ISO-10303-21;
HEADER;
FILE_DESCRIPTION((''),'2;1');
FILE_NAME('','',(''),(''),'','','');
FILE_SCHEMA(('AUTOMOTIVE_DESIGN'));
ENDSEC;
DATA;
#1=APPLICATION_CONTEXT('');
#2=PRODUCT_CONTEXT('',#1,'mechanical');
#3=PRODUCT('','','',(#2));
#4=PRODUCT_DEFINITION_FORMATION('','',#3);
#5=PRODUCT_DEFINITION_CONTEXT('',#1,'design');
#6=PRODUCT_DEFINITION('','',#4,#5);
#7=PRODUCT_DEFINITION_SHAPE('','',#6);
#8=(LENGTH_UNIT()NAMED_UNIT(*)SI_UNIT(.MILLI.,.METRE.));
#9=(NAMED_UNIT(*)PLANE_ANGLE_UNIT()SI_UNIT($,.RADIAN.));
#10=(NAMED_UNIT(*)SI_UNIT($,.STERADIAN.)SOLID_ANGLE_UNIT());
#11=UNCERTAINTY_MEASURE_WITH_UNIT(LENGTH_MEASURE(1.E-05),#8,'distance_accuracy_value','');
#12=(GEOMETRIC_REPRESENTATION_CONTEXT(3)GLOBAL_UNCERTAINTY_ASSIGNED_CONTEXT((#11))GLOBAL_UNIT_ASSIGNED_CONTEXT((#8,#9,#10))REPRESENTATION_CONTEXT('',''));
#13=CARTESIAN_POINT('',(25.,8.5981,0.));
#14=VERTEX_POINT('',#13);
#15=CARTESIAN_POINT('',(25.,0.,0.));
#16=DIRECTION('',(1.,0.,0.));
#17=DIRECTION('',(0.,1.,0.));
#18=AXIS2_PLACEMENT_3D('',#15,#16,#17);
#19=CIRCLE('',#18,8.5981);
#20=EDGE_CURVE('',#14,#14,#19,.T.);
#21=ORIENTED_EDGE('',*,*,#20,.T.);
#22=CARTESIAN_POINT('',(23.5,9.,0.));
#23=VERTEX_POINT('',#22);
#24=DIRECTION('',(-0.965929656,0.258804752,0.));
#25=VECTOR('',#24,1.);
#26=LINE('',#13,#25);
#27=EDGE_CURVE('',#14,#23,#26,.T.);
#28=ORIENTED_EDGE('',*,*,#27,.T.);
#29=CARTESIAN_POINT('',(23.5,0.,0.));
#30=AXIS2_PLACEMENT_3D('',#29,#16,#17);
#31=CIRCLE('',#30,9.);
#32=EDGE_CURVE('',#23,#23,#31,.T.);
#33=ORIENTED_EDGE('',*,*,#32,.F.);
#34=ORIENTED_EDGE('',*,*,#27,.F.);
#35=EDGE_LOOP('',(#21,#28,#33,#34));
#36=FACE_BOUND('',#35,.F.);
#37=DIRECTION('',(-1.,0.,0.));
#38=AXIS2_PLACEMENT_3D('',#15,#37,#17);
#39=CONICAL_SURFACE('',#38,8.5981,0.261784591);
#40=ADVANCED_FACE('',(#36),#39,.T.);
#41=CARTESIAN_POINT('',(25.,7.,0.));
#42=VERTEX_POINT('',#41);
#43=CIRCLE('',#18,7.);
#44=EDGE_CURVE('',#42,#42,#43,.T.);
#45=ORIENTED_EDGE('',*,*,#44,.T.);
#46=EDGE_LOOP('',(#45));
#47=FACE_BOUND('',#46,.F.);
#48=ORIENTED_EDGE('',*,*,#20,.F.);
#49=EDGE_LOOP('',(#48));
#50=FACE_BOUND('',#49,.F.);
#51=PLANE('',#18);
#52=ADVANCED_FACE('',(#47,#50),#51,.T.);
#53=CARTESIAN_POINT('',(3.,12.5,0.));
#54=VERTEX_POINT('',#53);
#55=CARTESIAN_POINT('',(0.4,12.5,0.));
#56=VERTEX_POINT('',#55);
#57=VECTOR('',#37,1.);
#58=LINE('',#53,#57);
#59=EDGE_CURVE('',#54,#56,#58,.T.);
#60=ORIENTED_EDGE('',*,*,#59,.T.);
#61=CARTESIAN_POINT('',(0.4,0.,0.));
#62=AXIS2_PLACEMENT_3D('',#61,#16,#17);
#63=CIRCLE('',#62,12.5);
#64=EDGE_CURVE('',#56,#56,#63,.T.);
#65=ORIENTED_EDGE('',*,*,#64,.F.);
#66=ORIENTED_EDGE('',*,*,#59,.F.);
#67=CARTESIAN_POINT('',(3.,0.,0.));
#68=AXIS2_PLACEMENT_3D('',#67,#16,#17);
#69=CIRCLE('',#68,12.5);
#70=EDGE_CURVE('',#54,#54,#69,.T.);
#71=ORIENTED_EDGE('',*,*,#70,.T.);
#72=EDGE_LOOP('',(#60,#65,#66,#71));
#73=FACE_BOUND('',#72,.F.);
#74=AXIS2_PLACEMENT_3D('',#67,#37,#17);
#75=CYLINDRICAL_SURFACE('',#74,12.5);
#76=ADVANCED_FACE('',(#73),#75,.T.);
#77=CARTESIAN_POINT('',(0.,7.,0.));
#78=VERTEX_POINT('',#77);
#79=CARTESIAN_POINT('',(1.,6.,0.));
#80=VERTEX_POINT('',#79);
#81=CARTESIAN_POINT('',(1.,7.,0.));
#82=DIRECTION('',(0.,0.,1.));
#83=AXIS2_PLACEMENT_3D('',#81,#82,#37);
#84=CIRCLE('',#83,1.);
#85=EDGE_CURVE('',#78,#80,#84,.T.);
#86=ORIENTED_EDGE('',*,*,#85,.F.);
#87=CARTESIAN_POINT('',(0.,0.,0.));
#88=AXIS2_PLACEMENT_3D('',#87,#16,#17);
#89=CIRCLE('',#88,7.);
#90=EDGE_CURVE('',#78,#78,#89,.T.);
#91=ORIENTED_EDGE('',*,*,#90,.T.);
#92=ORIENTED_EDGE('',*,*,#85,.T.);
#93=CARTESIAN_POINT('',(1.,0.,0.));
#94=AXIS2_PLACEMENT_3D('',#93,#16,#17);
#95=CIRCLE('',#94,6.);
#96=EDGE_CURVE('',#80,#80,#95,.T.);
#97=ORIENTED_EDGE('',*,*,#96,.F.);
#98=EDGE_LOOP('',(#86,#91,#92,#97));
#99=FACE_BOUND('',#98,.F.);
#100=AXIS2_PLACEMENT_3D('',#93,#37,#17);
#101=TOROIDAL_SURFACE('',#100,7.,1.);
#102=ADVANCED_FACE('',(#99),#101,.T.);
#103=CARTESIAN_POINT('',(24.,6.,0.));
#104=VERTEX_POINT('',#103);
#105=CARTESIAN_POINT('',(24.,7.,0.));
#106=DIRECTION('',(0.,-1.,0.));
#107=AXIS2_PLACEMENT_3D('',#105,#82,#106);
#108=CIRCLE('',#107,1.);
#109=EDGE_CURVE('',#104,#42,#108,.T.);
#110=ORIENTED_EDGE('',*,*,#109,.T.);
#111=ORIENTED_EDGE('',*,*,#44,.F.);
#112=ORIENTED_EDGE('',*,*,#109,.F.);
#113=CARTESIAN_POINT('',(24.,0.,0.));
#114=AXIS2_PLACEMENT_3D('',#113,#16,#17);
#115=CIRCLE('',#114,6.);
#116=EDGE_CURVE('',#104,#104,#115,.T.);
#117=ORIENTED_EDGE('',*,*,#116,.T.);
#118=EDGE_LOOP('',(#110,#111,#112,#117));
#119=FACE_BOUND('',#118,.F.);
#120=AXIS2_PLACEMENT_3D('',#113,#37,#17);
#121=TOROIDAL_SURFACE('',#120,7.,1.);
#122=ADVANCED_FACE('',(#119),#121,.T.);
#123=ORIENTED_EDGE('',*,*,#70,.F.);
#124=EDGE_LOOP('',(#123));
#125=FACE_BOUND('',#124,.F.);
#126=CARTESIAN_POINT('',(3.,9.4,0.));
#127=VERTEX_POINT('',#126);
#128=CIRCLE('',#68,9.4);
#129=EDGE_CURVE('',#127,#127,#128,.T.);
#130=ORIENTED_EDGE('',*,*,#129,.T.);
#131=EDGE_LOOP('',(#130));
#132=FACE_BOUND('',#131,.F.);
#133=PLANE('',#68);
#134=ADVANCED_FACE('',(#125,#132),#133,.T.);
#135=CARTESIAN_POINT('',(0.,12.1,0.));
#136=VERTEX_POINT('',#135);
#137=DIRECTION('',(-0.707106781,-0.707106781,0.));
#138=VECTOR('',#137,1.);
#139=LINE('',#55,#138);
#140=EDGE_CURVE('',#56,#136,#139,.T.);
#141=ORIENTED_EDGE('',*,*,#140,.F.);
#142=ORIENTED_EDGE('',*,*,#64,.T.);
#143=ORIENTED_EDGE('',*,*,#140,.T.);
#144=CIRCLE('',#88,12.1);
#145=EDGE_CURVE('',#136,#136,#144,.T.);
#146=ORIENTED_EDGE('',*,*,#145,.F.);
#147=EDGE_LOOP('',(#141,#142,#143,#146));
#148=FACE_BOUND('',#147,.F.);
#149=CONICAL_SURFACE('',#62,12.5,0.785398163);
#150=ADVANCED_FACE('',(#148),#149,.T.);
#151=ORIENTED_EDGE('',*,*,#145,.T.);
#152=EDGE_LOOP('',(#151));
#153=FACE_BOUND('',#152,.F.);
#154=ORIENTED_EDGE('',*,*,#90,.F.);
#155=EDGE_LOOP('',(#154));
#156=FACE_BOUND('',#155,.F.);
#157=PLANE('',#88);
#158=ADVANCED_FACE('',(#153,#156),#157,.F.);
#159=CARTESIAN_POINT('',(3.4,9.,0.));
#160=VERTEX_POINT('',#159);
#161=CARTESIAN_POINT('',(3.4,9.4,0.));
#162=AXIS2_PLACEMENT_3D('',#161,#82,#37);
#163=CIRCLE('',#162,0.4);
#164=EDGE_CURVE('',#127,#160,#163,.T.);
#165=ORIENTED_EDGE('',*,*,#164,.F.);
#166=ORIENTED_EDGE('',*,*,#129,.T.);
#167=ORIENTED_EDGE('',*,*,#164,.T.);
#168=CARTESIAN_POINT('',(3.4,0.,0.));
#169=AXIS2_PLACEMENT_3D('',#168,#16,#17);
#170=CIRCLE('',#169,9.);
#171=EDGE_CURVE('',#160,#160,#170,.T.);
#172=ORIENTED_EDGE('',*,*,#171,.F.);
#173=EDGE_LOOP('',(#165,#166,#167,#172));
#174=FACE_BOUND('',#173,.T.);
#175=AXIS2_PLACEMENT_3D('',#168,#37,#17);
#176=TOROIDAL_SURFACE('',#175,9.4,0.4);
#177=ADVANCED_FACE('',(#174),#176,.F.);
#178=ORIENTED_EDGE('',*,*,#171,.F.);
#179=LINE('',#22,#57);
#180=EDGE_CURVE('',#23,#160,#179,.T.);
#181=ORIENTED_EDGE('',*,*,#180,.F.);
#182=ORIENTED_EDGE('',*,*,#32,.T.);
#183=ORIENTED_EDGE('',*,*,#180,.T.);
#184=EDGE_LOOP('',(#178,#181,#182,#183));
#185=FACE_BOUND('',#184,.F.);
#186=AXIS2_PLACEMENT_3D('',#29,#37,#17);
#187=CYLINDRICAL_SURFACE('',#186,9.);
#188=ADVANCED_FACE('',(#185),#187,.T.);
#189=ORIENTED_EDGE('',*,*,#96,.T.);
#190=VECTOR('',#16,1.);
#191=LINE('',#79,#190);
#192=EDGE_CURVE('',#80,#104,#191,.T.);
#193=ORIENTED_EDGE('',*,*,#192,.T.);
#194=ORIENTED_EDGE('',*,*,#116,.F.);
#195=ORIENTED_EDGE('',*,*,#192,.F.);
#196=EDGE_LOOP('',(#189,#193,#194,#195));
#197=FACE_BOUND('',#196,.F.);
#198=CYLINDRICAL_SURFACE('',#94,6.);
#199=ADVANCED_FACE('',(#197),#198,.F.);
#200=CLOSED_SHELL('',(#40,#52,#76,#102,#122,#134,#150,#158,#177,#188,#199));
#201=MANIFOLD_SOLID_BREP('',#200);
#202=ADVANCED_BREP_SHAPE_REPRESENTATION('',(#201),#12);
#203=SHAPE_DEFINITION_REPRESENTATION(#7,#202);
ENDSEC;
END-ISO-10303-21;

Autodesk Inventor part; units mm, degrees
ref_plane "YZ Plane" through (0, 0, 0) normal (1, 0, 0) x (0, 1, 0)
ref_plane "XZ Plane" through (0, 0, 0) normal (0, 1, 0) x (-1, 0, 0)
ref_plane "XY Plane" through (0, 0, 0) normal (0, 0, 1) x (1, 0, 0)
sketch "Sketch_1" plane through (0, 0, 0) normal (0, 0, 1) x (1, 0, 0)
  line L0 (25, 0) -> (0, 0)
  line L1 (0, 12.1) -> (0, 7)
  arc A0 (0, 7) -> (1, 6) centre (1, 7) ccw
  line L2 (1, 6) -> (24, 6)
  arc A1 (24, 6) -> (25, 7) centre (24, 7) ccw
  line L3 (25, 7) -> (25, 8.5981)
  line L4 (25, 8.5981) -> (23.5, 9)
  line L5 (23.5, 9) -> (3.4, 9)
  arc A2 (3, 9.4) -> (3.4, 9) centre (3.4, 9.4) ccw
  line L6 (3, 9.4) -> (3, 12.5)
  line L7 (3, 12.5) -> (0.4, 12.5)
  line L8 (0.4, 12.5) -> (0, 12.1)
revolve "Revolution1" add sketch "Sketch_1" angle 360 about axis through (25, 0, 0) along (1, 0, 0)
properties part number "SHFZ12_25"
